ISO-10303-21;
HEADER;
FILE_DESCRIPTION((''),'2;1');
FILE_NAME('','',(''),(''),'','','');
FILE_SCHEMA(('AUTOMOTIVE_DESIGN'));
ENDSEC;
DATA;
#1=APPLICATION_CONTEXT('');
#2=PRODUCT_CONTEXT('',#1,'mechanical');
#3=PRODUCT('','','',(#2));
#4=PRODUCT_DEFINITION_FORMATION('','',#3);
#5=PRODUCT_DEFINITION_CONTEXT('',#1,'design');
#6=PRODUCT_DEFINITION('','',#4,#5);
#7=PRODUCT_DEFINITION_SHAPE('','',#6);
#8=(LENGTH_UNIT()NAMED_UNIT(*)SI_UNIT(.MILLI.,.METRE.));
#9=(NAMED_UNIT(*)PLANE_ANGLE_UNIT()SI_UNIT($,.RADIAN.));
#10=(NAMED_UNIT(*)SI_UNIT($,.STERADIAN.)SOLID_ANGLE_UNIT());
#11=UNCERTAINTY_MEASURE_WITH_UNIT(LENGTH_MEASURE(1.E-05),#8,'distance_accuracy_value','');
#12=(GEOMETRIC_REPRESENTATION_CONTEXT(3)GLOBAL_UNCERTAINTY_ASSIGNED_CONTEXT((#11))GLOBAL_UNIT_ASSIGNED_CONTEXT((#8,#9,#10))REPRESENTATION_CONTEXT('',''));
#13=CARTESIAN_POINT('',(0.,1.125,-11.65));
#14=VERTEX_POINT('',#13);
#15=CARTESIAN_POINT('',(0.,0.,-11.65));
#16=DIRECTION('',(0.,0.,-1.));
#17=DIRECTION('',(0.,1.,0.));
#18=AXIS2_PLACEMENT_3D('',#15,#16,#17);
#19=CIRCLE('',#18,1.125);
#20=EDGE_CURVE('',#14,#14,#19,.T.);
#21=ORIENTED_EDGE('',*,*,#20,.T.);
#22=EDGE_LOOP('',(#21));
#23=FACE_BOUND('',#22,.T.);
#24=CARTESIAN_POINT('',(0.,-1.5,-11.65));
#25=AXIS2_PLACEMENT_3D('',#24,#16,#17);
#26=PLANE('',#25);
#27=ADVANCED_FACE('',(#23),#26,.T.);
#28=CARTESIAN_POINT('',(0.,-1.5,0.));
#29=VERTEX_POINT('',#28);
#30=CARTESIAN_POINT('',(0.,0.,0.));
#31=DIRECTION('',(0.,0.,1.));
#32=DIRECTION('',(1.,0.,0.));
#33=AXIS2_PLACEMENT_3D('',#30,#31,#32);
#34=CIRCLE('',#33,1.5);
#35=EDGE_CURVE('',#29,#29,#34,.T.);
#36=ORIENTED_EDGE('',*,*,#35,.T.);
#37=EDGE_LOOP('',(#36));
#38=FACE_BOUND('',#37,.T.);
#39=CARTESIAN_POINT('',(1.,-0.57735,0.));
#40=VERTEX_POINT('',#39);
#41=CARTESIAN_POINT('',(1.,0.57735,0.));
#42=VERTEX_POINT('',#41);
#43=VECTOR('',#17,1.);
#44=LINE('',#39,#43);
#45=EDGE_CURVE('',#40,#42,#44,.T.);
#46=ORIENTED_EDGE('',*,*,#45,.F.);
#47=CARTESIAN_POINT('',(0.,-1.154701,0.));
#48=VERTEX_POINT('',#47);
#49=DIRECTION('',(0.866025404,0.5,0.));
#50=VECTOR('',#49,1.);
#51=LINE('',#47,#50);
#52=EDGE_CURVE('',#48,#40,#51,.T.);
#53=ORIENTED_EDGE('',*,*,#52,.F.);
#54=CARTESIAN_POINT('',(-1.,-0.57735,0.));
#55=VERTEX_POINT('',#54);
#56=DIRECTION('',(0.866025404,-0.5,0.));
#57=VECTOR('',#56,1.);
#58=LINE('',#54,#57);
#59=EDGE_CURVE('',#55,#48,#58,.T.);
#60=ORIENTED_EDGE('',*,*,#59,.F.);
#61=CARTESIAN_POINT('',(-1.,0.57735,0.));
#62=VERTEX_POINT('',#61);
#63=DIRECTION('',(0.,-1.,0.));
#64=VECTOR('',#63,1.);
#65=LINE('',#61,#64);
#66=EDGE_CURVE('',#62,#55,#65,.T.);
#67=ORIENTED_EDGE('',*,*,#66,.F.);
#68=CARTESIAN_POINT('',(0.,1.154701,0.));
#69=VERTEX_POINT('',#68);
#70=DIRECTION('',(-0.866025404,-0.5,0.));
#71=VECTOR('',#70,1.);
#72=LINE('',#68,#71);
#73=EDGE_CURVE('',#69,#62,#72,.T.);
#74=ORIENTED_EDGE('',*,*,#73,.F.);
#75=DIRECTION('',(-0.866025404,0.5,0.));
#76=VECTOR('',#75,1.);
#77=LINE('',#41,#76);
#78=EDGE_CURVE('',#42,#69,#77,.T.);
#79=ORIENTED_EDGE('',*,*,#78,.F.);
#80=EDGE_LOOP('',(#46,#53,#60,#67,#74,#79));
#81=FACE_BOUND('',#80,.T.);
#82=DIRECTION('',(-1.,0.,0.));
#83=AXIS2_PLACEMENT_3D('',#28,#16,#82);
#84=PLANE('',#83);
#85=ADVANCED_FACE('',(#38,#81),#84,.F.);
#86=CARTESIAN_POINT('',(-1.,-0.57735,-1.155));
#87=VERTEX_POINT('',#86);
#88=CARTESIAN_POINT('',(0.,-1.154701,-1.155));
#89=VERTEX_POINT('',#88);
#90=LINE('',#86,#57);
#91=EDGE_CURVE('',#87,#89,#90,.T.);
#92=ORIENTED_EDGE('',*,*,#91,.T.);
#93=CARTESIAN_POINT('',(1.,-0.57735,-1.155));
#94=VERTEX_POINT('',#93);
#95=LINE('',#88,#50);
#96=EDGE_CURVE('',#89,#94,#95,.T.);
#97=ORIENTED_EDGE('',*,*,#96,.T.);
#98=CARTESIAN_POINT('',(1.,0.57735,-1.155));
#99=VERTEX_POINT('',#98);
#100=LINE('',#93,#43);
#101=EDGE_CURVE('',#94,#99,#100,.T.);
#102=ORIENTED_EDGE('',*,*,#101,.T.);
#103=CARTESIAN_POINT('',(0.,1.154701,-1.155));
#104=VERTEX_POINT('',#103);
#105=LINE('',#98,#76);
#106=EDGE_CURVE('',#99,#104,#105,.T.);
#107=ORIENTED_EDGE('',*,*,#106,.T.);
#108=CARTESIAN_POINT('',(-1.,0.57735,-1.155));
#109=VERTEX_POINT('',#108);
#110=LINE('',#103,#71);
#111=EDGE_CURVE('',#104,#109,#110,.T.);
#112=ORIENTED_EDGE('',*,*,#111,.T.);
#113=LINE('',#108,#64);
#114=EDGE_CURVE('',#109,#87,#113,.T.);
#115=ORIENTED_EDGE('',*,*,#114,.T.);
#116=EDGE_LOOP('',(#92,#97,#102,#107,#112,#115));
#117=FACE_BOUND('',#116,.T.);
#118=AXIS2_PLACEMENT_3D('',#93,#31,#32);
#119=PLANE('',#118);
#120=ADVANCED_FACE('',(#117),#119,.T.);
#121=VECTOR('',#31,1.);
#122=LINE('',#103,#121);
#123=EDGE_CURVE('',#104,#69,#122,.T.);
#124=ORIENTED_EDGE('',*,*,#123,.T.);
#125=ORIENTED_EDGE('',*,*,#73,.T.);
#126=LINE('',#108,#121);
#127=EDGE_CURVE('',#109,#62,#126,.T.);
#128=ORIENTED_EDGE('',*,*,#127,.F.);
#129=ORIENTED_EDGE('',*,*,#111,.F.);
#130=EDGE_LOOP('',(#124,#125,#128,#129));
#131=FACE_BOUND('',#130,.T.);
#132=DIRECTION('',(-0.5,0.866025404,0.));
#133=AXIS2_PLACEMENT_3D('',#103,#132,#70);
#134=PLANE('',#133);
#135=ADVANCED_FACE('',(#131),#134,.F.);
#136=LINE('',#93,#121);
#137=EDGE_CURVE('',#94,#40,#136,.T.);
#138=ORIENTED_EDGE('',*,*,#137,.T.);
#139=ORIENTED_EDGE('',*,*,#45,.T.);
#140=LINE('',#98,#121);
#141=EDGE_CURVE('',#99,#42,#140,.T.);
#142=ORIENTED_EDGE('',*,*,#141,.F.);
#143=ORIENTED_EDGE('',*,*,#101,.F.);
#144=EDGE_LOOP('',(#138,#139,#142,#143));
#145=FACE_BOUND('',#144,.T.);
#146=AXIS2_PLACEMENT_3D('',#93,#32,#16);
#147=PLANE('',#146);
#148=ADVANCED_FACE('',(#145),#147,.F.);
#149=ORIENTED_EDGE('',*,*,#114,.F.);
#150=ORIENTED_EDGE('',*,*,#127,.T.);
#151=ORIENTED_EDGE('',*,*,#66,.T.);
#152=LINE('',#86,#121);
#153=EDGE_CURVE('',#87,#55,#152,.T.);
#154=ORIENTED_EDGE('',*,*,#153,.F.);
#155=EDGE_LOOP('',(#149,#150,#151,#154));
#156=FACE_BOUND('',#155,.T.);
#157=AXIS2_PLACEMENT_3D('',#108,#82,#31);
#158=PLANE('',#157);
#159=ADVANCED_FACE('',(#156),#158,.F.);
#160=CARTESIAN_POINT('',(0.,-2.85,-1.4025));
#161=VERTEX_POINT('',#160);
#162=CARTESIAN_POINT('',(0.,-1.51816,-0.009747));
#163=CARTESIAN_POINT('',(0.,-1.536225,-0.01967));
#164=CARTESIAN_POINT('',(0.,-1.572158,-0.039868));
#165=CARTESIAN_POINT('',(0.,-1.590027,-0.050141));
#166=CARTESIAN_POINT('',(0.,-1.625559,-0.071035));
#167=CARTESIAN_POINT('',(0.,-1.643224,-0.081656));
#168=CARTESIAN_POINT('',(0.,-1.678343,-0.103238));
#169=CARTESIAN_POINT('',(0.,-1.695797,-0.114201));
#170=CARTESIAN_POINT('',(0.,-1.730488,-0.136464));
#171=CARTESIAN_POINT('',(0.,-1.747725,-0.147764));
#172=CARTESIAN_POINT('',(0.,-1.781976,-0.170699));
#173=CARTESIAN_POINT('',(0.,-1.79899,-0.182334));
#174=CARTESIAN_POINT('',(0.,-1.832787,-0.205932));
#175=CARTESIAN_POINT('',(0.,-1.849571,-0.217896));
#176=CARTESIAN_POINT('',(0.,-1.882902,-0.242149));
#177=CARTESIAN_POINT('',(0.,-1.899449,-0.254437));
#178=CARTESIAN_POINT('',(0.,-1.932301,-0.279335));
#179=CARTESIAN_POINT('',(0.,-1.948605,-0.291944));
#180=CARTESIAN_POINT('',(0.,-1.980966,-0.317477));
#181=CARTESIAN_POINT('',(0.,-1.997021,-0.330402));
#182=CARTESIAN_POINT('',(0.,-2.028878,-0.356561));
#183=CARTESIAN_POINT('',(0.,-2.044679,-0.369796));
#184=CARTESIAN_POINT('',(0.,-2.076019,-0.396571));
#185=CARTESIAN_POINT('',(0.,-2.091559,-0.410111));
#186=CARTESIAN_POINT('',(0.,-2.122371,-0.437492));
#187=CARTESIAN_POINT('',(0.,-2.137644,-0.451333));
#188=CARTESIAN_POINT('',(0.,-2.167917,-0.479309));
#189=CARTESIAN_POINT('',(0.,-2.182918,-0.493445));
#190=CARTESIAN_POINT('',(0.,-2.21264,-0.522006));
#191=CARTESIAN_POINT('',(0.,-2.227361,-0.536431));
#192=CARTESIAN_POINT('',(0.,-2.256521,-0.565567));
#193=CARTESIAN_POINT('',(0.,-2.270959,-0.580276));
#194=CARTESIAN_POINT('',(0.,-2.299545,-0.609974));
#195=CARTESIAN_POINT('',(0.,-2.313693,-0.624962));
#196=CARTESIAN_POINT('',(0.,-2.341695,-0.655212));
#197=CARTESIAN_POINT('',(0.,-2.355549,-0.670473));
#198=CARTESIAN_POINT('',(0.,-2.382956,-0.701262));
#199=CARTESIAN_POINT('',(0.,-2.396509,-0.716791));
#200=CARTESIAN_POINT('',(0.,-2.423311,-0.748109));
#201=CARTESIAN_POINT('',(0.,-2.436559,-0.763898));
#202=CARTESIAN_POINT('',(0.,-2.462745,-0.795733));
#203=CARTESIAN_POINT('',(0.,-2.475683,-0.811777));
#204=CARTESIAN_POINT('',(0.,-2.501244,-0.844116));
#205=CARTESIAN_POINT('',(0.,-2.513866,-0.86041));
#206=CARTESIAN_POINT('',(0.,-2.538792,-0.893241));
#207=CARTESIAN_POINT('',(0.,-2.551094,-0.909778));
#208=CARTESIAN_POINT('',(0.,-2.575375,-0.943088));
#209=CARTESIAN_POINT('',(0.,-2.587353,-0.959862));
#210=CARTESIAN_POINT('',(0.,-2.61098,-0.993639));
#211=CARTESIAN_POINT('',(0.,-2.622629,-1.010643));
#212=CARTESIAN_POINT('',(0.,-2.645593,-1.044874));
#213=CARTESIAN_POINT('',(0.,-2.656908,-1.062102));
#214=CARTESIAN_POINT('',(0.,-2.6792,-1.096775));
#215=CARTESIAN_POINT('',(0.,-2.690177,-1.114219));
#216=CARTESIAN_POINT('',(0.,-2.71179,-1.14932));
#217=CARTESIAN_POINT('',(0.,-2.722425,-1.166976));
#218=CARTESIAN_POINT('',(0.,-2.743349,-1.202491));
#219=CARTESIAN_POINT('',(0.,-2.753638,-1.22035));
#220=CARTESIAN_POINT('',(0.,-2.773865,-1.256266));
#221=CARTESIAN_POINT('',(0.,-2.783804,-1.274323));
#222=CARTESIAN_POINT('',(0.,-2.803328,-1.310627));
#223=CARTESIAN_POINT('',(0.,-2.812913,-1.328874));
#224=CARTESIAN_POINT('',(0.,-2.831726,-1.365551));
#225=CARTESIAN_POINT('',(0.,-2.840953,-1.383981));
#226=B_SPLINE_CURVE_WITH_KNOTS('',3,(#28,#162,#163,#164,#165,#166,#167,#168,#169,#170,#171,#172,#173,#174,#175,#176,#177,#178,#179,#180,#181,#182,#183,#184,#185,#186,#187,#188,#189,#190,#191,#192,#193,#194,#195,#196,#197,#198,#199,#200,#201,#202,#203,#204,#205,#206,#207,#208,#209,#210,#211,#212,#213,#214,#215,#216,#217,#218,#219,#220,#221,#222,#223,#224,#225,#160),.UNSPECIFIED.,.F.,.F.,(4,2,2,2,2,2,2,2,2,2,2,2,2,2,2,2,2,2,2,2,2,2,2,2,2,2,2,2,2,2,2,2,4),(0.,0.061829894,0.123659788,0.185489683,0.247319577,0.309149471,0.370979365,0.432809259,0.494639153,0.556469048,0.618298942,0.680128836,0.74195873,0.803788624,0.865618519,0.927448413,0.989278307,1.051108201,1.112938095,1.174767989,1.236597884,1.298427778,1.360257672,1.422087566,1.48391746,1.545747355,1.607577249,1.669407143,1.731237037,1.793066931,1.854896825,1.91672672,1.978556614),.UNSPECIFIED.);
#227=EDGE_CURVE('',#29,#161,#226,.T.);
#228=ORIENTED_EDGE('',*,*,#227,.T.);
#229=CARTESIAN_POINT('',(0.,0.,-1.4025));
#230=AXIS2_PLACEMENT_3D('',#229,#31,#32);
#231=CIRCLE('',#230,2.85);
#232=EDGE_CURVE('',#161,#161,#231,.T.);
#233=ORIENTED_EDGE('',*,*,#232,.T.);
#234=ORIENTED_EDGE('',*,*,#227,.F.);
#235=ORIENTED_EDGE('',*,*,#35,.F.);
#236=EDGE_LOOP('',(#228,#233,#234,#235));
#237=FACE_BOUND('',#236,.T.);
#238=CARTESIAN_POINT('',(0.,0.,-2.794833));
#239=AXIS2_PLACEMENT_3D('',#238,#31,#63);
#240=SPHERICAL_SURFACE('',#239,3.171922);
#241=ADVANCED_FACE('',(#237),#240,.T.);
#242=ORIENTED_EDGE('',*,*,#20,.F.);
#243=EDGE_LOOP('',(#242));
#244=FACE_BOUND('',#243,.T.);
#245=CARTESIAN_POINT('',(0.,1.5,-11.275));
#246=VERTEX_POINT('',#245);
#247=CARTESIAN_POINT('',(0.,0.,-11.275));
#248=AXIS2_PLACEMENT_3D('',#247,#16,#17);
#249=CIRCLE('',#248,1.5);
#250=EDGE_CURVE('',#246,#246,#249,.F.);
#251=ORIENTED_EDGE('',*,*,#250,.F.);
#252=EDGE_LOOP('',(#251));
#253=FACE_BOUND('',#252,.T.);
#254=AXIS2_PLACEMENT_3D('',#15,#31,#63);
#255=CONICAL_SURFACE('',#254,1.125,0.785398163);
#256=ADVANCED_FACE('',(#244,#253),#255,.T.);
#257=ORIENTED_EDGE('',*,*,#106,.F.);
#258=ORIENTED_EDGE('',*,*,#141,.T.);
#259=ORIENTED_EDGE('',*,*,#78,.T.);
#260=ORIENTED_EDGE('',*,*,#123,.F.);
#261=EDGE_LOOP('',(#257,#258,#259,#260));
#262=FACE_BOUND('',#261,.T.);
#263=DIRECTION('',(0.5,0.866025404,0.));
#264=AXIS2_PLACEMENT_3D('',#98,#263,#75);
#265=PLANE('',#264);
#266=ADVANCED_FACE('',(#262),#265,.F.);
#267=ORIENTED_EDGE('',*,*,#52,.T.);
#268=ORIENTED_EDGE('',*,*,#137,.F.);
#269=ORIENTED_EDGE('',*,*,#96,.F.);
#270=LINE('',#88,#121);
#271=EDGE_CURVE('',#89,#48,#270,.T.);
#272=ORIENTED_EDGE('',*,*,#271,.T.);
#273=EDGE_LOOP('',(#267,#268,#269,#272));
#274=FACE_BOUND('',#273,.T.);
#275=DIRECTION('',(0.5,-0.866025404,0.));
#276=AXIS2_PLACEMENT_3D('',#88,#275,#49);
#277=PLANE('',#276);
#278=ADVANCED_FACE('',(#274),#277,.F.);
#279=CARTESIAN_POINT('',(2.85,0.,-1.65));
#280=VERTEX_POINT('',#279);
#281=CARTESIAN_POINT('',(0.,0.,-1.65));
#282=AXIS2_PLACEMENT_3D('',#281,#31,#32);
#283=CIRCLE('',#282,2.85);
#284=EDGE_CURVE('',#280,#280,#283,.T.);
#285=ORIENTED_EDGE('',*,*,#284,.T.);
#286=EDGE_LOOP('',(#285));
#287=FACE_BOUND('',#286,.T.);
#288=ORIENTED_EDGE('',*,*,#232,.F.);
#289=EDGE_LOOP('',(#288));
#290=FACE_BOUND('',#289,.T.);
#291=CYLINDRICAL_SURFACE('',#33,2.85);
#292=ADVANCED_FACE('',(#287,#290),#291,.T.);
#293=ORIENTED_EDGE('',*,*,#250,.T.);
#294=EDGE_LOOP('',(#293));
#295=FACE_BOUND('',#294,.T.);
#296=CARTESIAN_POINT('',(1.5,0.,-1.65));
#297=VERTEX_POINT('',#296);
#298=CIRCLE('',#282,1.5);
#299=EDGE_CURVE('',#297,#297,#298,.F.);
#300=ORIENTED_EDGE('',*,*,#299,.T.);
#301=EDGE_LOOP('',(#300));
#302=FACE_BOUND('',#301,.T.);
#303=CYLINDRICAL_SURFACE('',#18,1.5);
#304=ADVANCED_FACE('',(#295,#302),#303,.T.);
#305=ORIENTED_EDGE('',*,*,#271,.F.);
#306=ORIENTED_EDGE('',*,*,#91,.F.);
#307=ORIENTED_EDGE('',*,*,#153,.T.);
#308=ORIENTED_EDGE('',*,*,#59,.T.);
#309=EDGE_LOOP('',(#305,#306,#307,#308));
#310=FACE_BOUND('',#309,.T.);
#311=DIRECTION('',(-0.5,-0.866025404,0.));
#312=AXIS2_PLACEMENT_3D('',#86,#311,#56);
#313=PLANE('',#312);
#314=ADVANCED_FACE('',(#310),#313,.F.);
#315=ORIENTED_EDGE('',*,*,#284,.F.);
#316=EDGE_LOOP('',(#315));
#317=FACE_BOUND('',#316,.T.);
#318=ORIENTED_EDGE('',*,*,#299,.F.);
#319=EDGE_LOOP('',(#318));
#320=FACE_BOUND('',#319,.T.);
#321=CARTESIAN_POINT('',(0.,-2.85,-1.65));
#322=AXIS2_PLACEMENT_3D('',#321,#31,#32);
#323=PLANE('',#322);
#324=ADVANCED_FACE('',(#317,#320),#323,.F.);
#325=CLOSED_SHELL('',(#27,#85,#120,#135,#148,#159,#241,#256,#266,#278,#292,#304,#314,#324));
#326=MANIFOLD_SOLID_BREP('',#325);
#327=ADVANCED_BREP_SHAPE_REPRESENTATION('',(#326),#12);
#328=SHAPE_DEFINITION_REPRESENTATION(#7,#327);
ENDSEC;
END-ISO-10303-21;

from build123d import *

# Parameters (mm, degrees)
SKETCH1_W          = 10
SKETCH1_H          = 1.5
CHAMFER1_SIZE      = 0.375
CUT_EXTRUDE2_DEPTH = 1.155


with BuildPart() as part:
    # Sketch1 → Revolve1 (revolve)
    with BuildSketch(Plane(origin=(0, 0, 0), x_dir=(0, 0, -1), z_dir=(1, 0, 0))):
        with Locations((6.65, 0.75)):
            Rectangle(SKETCH1_W, SKETCH1_H)
    revolve(axis=Axis((0, 0, -11.65), (0, 0, 1)))

    # Chamfer1
    chamfer1_edges = [part.edges().sort_by_distance(p)[0] for p in [
        (0, -1.5, -11.65),
    ]]
    chamfer(chamfer1_edges, length=CHAMFER1_SIZE)

    # Sketch7 → Revolve2 (revolve)
    with BuildSketch(Plane(origin=(0, 0, 0), x_dir=(0, 0, -1), z_dir=(1, 0, 0))):
        with BuildLine():
            Line((1.4025, 2.85), (1.65, 2.85))
            Line((1.65, 2.85), (1.65, 0))
            Line((1.65, 0), (0, 0))
            Line((0, 0), (0, 1.5))
            ThreePointArc((0, 1.5), (0.59512511, 2.285251969), (1.4025, 2.85))
        make_face()
    revolve(axis=Axis((0, 0, 0), (0, 0, -1)))

    # Sketch5 → Cut-Extrude2 (cut)
    with BuildSketch(Plane.XY):
        Polygon((1, -0.577350269), (1, 0.577350269), (0, 1.154700538), (-1, 0.577350269), (-1, -0.577350269), (0, -1.154700538), align=None)
    extrude(amount=-CUT_EXTRUDE2_DEPTH, mode=Mode.SUBTRACT)


solid = part.part
